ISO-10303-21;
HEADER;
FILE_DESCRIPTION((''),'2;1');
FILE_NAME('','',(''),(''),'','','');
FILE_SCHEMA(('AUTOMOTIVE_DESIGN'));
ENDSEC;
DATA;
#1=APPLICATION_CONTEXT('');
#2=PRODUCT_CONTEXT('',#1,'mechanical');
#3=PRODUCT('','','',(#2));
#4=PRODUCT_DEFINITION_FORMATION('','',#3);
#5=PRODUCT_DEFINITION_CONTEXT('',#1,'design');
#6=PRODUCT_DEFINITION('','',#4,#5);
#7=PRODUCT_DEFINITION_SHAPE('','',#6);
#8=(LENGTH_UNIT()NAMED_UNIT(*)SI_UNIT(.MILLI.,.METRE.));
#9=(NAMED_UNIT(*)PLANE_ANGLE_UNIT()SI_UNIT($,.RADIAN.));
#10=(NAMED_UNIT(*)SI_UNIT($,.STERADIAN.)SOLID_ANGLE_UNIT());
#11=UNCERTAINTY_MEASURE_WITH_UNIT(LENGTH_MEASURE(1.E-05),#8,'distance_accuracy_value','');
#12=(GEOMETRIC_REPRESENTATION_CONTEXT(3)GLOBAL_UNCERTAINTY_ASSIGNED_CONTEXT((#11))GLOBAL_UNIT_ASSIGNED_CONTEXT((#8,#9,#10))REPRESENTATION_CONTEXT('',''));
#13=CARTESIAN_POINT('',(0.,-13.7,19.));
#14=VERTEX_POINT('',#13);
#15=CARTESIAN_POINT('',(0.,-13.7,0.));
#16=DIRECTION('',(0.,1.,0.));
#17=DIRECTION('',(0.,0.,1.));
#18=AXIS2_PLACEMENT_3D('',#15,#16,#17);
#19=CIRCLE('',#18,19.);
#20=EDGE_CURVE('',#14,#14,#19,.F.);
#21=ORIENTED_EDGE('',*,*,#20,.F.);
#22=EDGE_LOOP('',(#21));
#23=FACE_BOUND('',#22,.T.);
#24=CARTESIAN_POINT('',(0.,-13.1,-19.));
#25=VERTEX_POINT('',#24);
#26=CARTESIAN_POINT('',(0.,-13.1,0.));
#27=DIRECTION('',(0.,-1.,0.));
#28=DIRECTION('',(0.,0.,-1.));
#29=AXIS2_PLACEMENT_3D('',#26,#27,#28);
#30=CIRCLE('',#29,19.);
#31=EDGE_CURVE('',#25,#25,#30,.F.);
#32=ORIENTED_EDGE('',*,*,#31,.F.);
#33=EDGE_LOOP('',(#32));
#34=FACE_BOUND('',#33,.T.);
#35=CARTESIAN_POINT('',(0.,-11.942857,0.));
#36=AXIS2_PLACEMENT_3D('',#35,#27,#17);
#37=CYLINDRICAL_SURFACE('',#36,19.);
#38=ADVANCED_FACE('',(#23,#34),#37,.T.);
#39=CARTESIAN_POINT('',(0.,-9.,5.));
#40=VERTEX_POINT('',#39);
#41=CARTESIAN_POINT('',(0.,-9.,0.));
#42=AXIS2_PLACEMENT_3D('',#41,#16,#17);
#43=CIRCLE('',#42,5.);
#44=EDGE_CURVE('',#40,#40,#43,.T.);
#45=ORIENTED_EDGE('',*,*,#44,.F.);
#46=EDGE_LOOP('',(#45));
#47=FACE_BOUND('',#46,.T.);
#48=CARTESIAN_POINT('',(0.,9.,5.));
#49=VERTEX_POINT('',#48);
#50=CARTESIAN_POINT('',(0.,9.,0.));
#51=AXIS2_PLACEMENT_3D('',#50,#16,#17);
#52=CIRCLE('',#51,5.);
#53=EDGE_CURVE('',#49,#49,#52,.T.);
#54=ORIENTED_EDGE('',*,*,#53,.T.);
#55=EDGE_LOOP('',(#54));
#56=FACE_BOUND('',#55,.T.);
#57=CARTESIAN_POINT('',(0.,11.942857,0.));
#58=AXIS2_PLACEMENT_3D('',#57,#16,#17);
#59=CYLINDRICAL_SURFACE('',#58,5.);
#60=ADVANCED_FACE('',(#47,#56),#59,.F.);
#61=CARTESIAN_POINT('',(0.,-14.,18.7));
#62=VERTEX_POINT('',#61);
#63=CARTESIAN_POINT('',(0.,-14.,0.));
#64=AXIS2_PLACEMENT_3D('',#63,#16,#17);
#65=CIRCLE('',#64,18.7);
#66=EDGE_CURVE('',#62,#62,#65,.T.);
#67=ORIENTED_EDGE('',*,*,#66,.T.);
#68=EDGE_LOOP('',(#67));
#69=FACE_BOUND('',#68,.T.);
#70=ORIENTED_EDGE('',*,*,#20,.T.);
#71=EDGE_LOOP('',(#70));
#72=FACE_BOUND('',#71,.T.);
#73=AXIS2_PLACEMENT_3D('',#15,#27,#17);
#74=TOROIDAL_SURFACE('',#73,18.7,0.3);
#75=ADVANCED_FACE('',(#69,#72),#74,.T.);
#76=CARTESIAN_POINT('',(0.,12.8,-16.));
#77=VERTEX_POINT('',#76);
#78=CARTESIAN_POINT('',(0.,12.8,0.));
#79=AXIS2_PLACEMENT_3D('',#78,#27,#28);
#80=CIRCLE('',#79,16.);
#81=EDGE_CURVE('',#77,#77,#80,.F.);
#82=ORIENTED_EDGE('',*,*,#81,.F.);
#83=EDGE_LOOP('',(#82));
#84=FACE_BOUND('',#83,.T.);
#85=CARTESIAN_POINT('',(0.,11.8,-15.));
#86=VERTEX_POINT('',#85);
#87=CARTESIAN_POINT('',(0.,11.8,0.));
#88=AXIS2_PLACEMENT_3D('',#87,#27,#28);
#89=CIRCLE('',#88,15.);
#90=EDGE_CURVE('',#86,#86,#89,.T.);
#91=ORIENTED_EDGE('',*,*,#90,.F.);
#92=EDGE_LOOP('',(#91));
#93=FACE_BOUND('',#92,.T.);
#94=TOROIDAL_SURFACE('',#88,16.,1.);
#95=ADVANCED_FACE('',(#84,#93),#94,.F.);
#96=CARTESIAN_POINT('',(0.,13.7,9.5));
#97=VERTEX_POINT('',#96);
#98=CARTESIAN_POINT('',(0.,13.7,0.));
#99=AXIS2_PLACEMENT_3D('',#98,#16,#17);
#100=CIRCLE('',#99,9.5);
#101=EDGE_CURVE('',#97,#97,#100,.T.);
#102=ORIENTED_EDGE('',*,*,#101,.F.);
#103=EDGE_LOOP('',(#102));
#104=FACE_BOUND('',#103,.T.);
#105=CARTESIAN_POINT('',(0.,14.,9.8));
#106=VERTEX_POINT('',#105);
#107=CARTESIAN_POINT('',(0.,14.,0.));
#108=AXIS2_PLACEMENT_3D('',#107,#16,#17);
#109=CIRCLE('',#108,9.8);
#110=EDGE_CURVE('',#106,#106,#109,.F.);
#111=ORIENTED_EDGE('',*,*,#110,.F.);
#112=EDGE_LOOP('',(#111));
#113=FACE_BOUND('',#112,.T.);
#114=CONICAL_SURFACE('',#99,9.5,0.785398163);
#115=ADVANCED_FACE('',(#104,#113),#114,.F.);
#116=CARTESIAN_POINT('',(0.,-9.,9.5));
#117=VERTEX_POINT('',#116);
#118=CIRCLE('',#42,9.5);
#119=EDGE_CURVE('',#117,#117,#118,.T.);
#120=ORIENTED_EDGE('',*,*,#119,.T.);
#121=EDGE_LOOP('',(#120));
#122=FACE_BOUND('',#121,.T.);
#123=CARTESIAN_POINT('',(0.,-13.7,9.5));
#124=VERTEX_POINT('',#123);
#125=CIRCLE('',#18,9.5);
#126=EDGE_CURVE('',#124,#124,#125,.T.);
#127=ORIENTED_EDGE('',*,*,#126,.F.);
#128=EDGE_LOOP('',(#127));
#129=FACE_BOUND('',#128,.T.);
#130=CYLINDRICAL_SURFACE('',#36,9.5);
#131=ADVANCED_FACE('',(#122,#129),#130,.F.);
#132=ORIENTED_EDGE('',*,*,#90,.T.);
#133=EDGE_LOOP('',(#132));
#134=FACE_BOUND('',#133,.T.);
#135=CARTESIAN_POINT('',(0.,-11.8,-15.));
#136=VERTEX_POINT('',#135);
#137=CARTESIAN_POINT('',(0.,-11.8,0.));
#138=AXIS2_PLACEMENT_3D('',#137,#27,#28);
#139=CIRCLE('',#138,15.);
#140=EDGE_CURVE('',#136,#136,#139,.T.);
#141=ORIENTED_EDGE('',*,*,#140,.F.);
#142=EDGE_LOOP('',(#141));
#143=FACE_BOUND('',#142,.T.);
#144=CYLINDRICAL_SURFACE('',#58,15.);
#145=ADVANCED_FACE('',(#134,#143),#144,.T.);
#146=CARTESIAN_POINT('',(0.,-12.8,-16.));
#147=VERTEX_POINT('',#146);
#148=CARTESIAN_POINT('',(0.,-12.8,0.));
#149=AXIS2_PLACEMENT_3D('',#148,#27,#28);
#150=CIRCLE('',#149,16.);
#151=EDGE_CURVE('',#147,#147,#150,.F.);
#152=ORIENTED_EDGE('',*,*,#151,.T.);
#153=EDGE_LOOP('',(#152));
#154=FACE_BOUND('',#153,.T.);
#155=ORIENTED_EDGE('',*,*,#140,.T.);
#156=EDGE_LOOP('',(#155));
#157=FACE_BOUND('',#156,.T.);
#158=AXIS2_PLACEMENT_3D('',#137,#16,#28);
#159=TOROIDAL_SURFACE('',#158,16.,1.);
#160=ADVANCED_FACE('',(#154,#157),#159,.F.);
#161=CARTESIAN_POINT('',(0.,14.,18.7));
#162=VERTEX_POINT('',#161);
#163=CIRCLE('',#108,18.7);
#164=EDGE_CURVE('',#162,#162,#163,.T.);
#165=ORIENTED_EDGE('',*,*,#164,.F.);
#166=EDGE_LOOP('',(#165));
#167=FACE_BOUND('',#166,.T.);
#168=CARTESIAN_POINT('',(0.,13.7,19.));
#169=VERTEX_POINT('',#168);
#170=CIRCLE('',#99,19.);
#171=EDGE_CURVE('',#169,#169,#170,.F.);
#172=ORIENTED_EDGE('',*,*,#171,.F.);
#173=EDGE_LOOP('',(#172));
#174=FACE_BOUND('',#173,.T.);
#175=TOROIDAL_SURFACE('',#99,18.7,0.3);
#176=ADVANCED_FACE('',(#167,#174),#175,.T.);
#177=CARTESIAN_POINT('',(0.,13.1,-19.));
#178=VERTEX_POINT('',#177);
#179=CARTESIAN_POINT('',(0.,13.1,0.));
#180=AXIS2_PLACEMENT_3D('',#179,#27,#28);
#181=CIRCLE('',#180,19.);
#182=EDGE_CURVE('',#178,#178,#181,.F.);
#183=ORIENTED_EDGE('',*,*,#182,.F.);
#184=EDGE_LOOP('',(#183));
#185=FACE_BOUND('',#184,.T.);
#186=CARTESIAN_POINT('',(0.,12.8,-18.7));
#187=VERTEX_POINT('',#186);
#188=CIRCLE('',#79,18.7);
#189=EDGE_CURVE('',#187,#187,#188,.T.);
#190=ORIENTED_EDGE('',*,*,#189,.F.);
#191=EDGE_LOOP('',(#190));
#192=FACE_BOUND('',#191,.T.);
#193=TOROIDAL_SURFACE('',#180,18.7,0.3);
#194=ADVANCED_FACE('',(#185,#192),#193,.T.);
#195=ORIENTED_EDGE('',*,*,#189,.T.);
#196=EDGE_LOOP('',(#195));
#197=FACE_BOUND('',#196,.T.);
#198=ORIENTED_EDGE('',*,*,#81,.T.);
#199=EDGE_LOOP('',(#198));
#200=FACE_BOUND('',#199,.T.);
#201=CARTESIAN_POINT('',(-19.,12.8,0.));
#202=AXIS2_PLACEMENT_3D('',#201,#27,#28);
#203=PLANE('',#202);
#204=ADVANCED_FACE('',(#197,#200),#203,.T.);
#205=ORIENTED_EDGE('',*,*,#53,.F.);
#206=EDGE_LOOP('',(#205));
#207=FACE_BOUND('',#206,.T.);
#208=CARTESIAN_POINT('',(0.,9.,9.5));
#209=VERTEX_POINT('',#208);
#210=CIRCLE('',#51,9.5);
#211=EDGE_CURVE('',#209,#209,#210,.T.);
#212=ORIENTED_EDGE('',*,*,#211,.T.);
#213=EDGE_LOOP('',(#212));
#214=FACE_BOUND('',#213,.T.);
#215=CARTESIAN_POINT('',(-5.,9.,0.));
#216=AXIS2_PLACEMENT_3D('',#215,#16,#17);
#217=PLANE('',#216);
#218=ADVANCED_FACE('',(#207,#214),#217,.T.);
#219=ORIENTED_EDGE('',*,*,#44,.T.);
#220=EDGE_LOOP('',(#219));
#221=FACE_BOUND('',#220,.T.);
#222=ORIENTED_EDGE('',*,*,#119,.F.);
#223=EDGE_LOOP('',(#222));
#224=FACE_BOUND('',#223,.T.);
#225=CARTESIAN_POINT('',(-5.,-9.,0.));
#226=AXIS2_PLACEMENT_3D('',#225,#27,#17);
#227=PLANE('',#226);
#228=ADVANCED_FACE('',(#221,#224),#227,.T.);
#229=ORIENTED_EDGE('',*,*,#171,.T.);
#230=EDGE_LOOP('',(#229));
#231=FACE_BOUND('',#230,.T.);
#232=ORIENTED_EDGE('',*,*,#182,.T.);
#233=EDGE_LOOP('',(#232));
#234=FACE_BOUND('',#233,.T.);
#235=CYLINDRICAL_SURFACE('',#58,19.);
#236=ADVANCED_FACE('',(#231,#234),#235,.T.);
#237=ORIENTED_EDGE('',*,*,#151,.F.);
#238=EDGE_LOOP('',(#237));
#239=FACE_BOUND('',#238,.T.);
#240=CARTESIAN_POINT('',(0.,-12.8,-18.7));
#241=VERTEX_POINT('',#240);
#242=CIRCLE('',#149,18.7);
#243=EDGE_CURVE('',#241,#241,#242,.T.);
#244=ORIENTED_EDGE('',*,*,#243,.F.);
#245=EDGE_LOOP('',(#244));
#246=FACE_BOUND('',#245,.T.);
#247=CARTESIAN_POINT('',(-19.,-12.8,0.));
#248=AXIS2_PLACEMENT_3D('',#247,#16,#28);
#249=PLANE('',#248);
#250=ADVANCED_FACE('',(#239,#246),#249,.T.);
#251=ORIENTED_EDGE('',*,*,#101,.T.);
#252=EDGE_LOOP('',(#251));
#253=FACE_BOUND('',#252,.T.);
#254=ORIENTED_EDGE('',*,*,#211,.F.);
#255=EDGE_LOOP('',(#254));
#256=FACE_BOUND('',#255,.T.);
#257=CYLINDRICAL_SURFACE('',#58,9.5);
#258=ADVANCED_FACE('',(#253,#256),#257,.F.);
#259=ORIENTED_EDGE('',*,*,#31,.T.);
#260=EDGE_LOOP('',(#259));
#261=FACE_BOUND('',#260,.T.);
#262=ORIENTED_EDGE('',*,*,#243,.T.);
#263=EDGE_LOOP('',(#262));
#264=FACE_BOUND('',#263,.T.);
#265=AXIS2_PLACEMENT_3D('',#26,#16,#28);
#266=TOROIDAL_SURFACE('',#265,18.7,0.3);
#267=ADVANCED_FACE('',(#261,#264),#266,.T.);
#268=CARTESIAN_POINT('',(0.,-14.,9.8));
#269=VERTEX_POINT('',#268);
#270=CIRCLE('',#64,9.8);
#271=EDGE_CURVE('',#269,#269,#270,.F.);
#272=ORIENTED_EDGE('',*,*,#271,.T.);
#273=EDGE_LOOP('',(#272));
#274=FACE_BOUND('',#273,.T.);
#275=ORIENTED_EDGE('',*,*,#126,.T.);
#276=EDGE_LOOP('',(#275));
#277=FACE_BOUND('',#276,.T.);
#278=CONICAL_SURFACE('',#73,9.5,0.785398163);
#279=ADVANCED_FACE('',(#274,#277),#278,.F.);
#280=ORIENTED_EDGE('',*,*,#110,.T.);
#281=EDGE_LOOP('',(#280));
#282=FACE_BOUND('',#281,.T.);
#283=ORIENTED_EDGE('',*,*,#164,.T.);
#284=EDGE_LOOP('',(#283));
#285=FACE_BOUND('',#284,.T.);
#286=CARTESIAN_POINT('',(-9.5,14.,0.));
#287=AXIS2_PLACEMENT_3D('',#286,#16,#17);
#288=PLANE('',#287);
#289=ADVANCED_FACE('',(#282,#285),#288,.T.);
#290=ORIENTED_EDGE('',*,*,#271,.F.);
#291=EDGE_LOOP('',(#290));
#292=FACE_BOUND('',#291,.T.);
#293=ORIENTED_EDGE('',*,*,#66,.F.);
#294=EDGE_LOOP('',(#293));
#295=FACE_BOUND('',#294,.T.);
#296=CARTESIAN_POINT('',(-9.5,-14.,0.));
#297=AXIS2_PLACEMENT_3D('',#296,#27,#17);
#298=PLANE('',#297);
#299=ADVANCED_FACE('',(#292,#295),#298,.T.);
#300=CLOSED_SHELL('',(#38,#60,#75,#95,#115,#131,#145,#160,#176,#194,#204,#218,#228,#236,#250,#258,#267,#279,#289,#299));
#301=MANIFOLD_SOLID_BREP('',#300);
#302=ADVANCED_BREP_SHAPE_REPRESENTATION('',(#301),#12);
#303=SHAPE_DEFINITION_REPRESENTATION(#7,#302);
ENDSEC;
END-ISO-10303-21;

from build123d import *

# Parameters (mm, degrees)
FILLET1_R     = 1
CHAMFER1_SIZE = 0.3
FILLET2_R     = 0.3


with BuildPart() as part:
    # Sketch1 → Revolve1 (revolve)
    with BuildSketch(Plane.XY):
        Polygon((-9.5, 14), (-19, 14), (-19, 12.8), (-15, 12.8), (-15, 0), (-5, 0), (-5, 9), (-9.5, 9), align=None)
    revolve(axis=Axis((0, 11.942857143, 0), (0, -1, 0)))

    # Fillet1
    fillet1_edges = [part.edges().sort_by_distance(p)[0] for p in [
        (15, 12.8, 0),
    ]]
    fillet(fillet1_edges, radius=FILLET1_R)

    # Chamfer1
    chamfer1_edges = [part.edges().sort_by_distance(p)[0] for p in [
        (9.5, 14, 0),
    ]]
    chamfer(chamfer1_edges, length=CHAMFER1_SIZE)

    # Fillet2
    fillet2_edges = [part.edges().sort_by_distance(p)[0] for p in [
        (19, 14, 0),
        (19, 12.8, 0),
    ]]
    fillet(fillet2_edges, radius=FILLET2_R)

    # Mirror1: part across plane


with BuildPart() as part_1:
    add(part.part)
    add(part.part.mirror(Plane(origin=(-15, 0, 0), x_dir=(0, 0, 1), z_dir=(0, -1, 0))))


solid = part_1.part
